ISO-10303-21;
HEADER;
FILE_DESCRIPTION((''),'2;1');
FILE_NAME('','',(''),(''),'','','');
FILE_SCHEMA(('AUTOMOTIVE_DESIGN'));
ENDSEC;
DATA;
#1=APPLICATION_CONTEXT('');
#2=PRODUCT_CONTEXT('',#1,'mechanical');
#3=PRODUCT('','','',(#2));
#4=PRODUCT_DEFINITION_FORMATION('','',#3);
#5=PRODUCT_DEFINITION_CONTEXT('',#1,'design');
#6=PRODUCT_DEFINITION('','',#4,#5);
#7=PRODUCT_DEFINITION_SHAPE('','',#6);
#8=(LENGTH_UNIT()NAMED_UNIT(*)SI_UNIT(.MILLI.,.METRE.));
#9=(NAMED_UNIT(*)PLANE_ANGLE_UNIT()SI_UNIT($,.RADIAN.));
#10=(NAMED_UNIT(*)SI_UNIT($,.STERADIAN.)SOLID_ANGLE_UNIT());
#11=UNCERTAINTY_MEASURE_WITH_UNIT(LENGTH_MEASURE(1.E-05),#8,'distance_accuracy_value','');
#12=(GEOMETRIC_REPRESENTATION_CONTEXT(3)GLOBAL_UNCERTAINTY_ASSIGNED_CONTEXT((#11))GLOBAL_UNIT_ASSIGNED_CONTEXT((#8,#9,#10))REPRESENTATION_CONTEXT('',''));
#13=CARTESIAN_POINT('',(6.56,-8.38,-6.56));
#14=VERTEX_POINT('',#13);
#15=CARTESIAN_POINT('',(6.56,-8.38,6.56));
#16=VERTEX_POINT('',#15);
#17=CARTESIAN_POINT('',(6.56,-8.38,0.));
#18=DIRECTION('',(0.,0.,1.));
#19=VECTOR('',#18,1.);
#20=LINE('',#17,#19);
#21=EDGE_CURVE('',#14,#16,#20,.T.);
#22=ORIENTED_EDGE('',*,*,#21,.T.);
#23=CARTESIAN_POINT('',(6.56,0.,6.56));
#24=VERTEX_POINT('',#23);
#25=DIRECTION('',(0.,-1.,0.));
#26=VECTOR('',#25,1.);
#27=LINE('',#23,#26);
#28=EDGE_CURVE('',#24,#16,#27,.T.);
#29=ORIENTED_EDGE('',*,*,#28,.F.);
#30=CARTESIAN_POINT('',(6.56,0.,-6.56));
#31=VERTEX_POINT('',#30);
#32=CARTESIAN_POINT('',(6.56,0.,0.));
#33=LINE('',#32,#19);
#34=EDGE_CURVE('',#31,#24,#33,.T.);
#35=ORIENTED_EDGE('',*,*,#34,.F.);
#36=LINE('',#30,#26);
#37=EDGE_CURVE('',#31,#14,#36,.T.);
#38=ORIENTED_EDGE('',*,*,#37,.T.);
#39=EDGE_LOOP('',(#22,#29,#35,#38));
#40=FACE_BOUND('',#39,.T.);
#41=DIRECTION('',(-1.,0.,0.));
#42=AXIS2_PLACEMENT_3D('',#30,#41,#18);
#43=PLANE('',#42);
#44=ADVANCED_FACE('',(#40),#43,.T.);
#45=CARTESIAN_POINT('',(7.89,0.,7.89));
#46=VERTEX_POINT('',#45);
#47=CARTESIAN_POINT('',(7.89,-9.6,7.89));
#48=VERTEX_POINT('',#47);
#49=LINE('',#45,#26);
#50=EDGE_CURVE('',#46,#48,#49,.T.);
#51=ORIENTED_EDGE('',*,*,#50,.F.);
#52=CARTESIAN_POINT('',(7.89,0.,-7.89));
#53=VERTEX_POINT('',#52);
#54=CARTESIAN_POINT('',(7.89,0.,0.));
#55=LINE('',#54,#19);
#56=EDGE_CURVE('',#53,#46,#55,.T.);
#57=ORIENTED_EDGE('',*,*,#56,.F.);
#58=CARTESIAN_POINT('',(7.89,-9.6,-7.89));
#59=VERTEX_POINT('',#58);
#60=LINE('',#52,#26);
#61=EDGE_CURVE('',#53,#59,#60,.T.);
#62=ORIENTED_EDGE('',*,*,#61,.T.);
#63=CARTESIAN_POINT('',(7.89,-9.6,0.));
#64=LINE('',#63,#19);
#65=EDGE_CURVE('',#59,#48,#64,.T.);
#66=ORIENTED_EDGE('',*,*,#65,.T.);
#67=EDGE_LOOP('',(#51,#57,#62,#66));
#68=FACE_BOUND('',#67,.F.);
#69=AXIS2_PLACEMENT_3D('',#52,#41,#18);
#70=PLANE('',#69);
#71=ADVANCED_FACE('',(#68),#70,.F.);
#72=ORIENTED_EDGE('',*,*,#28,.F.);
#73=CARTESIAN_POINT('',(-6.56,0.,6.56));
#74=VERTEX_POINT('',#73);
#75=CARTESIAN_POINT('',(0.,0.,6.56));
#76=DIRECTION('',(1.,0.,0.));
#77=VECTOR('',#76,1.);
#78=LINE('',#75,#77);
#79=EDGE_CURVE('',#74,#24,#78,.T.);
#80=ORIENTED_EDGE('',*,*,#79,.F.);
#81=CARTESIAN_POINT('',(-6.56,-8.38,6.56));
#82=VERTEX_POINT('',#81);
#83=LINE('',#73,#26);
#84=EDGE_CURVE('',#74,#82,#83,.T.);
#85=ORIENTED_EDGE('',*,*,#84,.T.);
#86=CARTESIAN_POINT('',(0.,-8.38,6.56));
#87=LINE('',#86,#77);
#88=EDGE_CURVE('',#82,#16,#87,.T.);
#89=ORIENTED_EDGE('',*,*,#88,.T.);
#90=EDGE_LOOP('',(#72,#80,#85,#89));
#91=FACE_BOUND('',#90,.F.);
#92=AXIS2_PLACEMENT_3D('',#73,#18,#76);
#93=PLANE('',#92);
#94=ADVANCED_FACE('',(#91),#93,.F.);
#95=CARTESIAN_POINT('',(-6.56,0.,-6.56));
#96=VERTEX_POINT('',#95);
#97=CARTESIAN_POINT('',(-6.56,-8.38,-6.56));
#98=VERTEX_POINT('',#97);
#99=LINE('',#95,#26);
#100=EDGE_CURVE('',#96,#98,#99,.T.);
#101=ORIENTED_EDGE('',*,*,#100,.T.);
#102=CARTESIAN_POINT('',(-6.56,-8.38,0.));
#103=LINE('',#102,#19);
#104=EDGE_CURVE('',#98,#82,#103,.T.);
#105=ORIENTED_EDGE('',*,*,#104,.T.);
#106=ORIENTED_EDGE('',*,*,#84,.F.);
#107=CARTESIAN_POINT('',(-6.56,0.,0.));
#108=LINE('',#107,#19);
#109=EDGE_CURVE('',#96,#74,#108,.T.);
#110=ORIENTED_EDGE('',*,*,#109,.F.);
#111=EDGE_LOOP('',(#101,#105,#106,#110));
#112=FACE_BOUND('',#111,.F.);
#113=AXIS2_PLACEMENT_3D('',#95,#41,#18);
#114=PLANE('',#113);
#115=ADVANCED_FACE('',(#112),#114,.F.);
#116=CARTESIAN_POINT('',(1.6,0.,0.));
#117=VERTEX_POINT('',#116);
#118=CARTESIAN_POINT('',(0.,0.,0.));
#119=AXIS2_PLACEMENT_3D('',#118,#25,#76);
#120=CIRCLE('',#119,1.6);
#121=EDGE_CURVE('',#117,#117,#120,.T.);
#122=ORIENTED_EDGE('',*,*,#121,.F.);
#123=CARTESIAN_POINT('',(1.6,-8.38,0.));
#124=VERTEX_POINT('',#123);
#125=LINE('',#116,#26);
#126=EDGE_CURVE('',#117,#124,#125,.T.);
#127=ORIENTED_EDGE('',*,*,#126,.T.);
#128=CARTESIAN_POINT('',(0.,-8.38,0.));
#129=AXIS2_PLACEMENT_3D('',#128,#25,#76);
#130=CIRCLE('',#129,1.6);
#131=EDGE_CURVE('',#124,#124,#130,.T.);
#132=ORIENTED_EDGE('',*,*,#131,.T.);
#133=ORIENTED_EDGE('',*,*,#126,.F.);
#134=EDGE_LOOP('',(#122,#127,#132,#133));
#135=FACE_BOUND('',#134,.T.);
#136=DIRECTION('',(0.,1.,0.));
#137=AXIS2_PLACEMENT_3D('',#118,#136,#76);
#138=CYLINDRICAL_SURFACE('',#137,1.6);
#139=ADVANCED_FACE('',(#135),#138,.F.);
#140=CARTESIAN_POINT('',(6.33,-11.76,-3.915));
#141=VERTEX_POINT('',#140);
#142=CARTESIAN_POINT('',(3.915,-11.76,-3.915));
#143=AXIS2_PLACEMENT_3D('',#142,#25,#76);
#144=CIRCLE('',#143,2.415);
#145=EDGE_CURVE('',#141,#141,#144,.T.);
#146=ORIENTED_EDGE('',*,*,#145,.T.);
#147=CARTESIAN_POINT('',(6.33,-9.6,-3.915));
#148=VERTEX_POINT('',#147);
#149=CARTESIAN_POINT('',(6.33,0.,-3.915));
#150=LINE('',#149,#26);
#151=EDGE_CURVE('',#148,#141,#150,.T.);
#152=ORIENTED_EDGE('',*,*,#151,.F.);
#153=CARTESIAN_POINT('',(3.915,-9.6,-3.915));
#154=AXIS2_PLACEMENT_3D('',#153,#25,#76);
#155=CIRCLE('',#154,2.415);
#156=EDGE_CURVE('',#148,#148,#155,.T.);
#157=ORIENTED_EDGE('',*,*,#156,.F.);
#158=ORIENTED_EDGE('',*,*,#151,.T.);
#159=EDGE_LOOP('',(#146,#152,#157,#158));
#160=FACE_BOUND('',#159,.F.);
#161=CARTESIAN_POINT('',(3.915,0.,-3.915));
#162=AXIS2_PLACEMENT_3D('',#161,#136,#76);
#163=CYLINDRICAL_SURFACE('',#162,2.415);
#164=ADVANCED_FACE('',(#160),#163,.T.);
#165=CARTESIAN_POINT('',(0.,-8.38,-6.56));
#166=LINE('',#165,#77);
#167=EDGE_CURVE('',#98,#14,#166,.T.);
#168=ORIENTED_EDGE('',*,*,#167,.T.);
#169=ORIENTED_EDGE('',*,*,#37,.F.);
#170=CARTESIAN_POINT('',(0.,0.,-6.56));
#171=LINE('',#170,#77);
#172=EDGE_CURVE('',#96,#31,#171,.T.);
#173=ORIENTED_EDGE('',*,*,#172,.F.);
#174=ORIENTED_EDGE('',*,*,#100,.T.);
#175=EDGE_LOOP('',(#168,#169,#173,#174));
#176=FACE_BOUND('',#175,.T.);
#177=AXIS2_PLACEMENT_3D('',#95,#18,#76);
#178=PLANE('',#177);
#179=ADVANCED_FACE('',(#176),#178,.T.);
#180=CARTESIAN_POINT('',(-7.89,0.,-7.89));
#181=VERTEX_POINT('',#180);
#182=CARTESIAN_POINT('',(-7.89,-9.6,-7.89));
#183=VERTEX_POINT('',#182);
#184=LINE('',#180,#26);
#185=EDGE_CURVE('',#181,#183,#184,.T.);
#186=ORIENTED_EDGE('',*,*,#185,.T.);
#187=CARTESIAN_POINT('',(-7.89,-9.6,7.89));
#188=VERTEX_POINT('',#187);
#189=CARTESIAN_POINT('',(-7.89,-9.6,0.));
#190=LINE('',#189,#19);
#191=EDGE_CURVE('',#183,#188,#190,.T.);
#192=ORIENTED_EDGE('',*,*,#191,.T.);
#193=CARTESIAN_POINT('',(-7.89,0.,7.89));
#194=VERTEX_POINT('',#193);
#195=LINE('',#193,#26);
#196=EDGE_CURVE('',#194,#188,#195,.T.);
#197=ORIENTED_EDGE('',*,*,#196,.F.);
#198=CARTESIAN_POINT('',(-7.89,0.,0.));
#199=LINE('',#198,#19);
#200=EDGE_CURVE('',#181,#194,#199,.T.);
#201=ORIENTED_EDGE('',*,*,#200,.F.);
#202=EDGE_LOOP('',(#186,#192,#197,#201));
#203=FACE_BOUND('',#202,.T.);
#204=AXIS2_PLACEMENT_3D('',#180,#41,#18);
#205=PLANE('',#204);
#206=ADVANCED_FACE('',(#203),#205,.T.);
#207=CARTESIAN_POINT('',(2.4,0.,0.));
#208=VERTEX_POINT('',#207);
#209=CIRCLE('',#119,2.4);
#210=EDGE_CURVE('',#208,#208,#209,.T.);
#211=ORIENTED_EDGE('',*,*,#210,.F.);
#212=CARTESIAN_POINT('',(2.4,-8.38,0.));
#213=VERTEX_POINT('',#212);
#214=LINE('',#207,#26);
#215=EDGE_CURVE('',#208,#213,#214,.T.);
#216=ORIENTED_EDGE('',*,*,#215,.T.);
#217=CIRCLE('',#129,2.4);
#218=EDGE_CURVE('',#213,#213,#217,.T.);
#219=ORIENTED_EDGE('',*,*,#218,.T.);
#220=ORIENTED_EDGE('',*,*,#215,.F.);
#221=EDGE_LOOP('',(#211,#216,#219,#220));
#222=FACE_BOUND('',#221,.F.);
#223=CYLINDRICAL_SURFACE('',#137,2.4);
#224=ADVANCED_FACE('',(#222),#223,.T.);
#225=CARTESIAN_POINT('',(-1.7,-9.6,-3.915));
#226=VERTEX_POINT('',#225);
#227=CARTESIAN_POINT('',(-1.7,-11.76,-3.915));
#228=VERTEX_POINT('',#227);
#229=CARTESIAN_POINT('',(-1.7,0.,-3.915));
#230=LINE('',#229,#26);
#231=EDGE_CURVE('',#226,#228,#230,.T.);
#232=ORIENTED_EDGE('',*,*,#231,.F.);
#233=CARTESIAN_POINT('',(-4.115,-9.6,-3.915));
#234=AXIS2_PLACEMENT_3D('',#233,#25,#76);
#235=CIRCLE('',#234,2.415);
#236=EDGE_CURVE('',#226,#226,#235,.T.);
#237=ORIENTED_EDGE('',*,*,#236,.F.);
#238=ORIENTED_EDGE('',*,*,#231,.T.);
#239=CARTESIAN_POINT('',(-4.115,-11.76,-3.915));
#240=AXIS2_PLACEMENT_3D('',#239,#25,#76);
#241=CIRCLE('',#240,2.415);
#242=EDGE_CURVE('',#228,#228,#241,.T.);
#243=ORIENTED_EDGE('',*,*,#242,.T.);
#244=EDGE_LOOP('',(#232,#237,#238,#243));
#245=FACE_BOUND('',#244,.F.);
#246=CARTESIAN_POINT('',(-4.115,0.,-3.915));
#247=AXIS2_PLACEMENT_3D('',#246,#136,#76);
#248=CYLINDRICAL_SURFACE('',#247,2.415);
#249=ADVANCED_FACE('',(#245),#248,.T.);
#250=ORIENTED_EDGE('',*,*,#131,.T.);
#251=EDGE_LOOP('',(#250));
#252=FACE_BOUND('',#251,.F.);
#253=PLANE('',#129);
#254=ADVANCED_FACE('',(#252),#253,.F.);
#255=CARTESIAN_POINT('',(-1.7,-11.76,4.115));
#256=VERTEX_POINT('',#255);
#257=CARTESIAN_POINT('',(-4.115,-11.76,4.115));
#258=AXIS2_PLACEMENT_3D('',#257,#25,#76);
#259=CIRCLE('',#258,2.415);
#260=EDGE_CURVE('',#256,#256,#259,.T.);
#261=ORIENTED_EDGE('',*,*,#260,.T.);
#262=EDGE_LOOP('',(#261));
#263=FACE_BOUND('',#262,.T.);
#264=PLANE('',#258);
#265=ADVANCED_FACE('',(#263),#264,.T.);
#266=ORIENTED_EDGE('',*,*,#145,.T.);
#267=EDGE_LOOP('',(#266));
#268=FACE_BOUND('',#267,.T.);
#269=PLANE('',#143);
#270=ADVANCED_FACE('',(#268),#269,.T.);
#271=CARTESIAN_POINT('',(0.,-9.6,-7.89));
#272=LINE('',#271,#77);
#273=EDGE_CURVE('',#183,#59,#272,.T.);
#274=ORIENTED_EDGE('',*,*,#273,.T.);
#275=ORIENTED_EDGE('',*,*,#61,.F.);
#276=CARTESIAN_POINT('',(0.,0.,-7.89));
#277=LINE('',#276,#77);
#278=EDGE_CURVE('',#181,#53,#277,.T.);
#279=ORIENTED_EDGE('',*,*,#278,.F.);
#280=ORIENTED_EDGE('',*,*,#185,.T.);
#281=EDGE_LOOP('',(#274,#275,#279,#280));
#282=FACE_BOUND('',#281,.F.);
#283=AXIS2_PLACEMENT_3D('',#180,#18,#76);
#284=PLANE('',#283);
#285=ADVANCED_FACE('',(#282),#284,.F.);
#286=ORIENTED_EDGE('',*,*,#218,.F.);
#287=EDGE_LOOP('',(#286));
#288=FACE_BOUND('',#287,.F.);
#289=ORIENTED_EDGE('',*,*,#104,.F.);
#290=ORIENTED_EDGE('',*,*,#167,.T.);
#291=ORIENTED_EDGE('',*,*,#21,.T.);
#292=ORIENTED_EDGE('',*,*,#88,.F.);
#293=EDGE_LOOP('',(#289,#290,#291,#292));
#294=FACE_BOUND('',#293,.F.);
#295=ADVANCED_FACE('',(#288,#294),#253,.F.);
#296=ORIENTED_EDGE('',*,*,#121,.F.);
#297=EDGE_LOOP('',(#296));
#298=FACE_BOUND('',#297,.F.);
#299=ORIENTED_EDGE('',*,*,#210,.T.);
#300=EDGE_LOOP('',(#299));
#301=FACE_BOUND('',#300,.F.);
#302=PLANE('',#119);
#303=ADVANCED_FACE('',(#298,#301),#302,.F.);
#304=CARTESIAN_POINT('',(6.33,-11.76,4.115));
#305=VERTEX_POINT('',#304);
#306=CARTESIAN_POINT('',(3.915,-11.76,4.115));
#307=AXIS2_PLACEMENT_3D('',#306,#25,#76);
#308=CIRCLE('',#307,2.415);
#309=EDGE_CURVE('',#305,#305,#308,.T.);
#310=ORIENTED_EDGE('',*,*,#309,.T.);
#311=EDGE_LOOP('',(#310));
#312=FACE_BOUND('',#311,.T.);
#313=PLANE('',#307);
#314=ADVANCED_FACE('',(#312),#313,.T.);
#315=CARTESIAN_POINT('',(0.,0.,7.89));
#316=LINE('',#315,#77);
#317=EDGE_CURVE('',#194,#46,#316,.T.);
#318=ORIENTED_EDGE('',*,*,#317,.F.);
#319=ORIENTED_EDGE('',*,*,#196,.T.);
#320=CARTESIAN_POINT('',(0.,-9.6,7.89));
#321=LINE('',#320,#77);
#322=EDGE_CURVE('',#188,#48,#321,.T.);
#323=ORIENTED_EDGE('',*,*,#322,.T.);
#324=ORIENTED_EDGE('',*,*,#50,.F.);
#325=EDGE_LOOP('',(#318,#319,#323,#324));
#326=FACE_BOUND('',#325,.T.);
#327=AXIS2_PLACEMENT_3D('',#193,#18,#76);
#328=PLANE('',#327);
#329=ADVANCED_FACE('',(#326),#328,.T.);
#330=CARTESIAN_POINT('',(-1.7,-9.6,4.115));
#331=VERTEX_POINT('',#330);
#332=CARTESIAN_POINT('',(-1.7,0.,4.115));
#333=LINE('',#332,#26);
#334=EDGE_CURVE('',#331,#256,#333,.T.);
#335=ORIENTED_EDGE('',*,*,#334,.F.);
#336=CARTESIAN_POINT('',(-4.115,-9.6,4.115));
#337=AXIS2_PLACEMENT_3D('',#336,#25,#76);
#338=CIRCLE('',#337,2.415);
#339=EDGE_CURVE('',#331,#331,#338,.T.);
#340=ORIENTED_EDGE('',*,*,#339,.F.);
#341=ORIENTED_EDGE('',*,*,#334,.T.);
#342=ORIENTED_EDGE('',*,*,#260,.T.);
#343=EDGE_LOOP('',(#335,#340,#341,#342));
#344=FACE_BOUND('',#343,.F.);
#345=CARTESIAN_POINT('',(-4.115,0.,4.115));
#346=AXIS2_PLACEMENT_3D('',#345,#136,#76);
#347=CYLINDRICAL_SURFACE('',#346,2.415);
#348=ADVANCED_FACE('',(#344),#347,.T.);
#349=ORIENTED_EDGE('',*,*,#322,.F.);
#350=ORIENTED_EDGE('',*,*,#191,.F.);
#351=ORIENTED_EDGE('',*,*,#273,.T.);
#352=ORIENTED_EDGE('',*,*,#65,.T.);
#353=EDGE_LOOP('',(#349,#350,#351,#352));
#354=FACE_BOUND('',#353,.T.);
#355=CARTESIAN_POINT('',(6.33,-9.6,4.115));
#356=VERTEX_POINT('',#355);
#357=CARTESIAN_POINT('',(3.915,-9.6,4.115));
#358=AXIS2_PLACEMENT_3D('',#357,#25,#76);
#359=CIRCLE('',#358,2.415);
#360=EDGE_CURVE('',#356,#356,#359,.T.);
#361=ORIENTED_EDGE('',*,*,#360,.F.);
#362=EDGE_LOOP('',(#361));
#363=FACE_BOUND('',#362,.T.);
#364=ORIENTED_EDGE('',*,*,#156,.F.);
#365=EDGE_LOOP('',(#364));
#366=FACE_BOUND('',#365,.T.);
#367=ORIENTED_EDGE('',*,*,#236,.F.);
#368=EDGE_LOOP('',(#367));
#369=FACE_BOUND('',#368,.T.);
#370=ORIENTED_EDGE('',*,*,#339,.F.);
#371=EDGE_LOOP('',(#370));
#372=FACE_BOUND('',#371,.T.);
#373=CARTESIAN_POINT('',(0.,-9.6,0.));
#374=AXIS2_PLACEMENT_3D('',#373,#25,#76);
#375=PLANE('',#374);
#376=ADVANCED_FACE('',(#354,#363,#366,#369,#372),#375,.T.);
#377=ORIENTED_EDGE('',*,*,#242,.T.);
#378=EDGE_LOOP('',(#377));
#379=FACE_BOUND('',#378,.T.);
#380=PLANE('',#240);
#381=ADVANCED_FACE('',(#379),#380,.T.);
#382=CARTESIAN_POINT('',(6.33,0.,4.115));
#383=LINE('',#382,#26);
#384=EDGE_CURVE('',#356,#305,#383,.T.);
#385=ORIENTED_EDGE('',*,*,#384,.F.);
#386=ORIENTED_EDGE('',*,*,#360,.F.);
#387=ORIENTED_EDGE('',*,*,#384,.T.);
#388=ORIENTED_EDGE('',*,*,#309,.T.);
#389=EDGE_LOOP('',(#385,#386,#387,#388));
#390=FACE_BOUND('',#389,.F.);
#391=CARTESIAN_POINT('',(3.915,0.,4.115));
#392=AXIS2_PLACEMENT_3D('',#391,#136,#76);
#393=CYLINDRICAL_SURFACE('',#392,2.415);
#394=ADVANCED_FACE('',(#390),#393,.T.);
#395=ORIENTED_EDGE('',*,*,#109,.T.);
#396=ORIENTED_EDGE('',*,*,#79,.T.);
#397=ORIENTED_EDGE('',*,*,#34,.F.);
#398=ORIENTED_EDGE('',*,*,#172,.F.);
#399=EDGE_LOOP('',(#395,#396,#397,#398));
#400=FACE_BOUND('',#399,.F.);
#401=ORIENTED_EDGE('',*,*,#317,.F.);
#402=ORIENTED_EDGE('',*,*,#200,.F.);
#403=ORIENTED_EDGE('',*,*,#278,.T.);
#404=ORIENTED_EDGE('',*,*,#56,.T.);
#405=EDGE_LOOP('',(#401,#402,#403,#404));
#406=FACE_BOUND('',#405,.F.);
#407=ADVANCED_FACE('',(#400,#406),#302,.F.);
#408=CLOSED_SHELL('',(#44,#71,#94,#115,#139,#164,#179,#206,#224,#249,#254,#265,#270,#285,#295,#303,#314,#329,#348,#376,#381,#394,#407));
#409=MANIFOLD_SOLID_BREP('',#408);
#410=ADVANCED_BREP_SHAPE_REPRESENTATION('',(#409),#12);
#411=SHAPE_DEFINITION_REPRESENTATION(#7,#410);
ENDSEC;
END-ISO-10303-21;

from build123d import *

# Parameters (mm, degrees)
F0_W     = 15.78
F0_H     = 15.78
F0_R     = 2.415
F1_DEPTH = 9.6
F2_DEPTH = 11.76
F3_W     = 13.12
F3_H     = 13.12
F3_R     = 2.415
F3_R_2   = 2.4
F4_DEPTH = 8.38
F3_R_3   = 1.6
F5_DEPTH = 8.38


with BuildPart() as f1:
    # F0 (on Front) → F1 (new body)
    with BuildSketch(Plane.XZ):
        Rectangle(F0_W, F0_H)
        with Locations((-4.115, -3.915)):
            Circle(F0_R, mode=Mode.SUBTRACT)
        with Locations((3.915, -3.915)):
            Circle(F0_R, mode=Mode.SUBTRACT)
        with Locations((-4.115, 4.115)):
            Circle(F0_R, mode=Mode.SUBTRACT)
        with Locations((3.915, 4.115)):
            Circle(F0_R, mode=Mode.SUBTRACT)
    extrude(amount=F1_DEPTH)

    # F0 (on Front) → F2 (join)
    with BuildSketch(Plane.XZ):
        with Locations((-4.115, 4.115)):
            Circle(F0_R)
        with Locations((3.915, 4.115)):
            Circle(F0_R)
        with Locations((-4.115, -3.915)):
            Circle(F0_R)
        with Locations((3.915, -3.915)):
            Circle(F0_R)
    extrude(amount=F2_DEPTH)

    # F3 (on face) → F4 (cut)
    with BuildSketch(Plane.XZ):
        Rectangle(F3_W, F3_H)
        with Locations((-4.115, -3.915)):
            Circle(F3_R, mode=Mode.SUBTRACT)
        with Locations((3.915, -3.915)):
            Circle(F3_R, mode=Mode.SUBTRACT)
        with Locations((-4.115, 4.115)):
            Circle(F3_R, mode=Mode.SUBTRACT)
        Circle(F3_R_2, mode=Mode.SUBTRACT)
        with Locations((3.915, 4.115)):
            Circle(F3_R, mode=Mode.SUBTRACT)
    extrude(amount=F4_DEPTH, mode=Mode.SUBTRACT)

    # F0 (on Front) + F3 (on face) → F5 (cut)
    with BuildSketch(Plane.XZ):
        with Locations((3.915, 4.115)):
            Circle(F0_R)
        with Locations((-4.115, 4.115)):
            Circle(F0_R)
        with Locations((3.915, -3.915)):
            Circle(F0_R)
        with Locations((-4.115, -3.915)):
            Circle(F0_R)
    with BuildSketch(Plane.XZ):
        Circle(F3_R_3)
    extrude(amount=F5_DEPTH, mode=Mode.SUBTRACT)


solid = f1.part
